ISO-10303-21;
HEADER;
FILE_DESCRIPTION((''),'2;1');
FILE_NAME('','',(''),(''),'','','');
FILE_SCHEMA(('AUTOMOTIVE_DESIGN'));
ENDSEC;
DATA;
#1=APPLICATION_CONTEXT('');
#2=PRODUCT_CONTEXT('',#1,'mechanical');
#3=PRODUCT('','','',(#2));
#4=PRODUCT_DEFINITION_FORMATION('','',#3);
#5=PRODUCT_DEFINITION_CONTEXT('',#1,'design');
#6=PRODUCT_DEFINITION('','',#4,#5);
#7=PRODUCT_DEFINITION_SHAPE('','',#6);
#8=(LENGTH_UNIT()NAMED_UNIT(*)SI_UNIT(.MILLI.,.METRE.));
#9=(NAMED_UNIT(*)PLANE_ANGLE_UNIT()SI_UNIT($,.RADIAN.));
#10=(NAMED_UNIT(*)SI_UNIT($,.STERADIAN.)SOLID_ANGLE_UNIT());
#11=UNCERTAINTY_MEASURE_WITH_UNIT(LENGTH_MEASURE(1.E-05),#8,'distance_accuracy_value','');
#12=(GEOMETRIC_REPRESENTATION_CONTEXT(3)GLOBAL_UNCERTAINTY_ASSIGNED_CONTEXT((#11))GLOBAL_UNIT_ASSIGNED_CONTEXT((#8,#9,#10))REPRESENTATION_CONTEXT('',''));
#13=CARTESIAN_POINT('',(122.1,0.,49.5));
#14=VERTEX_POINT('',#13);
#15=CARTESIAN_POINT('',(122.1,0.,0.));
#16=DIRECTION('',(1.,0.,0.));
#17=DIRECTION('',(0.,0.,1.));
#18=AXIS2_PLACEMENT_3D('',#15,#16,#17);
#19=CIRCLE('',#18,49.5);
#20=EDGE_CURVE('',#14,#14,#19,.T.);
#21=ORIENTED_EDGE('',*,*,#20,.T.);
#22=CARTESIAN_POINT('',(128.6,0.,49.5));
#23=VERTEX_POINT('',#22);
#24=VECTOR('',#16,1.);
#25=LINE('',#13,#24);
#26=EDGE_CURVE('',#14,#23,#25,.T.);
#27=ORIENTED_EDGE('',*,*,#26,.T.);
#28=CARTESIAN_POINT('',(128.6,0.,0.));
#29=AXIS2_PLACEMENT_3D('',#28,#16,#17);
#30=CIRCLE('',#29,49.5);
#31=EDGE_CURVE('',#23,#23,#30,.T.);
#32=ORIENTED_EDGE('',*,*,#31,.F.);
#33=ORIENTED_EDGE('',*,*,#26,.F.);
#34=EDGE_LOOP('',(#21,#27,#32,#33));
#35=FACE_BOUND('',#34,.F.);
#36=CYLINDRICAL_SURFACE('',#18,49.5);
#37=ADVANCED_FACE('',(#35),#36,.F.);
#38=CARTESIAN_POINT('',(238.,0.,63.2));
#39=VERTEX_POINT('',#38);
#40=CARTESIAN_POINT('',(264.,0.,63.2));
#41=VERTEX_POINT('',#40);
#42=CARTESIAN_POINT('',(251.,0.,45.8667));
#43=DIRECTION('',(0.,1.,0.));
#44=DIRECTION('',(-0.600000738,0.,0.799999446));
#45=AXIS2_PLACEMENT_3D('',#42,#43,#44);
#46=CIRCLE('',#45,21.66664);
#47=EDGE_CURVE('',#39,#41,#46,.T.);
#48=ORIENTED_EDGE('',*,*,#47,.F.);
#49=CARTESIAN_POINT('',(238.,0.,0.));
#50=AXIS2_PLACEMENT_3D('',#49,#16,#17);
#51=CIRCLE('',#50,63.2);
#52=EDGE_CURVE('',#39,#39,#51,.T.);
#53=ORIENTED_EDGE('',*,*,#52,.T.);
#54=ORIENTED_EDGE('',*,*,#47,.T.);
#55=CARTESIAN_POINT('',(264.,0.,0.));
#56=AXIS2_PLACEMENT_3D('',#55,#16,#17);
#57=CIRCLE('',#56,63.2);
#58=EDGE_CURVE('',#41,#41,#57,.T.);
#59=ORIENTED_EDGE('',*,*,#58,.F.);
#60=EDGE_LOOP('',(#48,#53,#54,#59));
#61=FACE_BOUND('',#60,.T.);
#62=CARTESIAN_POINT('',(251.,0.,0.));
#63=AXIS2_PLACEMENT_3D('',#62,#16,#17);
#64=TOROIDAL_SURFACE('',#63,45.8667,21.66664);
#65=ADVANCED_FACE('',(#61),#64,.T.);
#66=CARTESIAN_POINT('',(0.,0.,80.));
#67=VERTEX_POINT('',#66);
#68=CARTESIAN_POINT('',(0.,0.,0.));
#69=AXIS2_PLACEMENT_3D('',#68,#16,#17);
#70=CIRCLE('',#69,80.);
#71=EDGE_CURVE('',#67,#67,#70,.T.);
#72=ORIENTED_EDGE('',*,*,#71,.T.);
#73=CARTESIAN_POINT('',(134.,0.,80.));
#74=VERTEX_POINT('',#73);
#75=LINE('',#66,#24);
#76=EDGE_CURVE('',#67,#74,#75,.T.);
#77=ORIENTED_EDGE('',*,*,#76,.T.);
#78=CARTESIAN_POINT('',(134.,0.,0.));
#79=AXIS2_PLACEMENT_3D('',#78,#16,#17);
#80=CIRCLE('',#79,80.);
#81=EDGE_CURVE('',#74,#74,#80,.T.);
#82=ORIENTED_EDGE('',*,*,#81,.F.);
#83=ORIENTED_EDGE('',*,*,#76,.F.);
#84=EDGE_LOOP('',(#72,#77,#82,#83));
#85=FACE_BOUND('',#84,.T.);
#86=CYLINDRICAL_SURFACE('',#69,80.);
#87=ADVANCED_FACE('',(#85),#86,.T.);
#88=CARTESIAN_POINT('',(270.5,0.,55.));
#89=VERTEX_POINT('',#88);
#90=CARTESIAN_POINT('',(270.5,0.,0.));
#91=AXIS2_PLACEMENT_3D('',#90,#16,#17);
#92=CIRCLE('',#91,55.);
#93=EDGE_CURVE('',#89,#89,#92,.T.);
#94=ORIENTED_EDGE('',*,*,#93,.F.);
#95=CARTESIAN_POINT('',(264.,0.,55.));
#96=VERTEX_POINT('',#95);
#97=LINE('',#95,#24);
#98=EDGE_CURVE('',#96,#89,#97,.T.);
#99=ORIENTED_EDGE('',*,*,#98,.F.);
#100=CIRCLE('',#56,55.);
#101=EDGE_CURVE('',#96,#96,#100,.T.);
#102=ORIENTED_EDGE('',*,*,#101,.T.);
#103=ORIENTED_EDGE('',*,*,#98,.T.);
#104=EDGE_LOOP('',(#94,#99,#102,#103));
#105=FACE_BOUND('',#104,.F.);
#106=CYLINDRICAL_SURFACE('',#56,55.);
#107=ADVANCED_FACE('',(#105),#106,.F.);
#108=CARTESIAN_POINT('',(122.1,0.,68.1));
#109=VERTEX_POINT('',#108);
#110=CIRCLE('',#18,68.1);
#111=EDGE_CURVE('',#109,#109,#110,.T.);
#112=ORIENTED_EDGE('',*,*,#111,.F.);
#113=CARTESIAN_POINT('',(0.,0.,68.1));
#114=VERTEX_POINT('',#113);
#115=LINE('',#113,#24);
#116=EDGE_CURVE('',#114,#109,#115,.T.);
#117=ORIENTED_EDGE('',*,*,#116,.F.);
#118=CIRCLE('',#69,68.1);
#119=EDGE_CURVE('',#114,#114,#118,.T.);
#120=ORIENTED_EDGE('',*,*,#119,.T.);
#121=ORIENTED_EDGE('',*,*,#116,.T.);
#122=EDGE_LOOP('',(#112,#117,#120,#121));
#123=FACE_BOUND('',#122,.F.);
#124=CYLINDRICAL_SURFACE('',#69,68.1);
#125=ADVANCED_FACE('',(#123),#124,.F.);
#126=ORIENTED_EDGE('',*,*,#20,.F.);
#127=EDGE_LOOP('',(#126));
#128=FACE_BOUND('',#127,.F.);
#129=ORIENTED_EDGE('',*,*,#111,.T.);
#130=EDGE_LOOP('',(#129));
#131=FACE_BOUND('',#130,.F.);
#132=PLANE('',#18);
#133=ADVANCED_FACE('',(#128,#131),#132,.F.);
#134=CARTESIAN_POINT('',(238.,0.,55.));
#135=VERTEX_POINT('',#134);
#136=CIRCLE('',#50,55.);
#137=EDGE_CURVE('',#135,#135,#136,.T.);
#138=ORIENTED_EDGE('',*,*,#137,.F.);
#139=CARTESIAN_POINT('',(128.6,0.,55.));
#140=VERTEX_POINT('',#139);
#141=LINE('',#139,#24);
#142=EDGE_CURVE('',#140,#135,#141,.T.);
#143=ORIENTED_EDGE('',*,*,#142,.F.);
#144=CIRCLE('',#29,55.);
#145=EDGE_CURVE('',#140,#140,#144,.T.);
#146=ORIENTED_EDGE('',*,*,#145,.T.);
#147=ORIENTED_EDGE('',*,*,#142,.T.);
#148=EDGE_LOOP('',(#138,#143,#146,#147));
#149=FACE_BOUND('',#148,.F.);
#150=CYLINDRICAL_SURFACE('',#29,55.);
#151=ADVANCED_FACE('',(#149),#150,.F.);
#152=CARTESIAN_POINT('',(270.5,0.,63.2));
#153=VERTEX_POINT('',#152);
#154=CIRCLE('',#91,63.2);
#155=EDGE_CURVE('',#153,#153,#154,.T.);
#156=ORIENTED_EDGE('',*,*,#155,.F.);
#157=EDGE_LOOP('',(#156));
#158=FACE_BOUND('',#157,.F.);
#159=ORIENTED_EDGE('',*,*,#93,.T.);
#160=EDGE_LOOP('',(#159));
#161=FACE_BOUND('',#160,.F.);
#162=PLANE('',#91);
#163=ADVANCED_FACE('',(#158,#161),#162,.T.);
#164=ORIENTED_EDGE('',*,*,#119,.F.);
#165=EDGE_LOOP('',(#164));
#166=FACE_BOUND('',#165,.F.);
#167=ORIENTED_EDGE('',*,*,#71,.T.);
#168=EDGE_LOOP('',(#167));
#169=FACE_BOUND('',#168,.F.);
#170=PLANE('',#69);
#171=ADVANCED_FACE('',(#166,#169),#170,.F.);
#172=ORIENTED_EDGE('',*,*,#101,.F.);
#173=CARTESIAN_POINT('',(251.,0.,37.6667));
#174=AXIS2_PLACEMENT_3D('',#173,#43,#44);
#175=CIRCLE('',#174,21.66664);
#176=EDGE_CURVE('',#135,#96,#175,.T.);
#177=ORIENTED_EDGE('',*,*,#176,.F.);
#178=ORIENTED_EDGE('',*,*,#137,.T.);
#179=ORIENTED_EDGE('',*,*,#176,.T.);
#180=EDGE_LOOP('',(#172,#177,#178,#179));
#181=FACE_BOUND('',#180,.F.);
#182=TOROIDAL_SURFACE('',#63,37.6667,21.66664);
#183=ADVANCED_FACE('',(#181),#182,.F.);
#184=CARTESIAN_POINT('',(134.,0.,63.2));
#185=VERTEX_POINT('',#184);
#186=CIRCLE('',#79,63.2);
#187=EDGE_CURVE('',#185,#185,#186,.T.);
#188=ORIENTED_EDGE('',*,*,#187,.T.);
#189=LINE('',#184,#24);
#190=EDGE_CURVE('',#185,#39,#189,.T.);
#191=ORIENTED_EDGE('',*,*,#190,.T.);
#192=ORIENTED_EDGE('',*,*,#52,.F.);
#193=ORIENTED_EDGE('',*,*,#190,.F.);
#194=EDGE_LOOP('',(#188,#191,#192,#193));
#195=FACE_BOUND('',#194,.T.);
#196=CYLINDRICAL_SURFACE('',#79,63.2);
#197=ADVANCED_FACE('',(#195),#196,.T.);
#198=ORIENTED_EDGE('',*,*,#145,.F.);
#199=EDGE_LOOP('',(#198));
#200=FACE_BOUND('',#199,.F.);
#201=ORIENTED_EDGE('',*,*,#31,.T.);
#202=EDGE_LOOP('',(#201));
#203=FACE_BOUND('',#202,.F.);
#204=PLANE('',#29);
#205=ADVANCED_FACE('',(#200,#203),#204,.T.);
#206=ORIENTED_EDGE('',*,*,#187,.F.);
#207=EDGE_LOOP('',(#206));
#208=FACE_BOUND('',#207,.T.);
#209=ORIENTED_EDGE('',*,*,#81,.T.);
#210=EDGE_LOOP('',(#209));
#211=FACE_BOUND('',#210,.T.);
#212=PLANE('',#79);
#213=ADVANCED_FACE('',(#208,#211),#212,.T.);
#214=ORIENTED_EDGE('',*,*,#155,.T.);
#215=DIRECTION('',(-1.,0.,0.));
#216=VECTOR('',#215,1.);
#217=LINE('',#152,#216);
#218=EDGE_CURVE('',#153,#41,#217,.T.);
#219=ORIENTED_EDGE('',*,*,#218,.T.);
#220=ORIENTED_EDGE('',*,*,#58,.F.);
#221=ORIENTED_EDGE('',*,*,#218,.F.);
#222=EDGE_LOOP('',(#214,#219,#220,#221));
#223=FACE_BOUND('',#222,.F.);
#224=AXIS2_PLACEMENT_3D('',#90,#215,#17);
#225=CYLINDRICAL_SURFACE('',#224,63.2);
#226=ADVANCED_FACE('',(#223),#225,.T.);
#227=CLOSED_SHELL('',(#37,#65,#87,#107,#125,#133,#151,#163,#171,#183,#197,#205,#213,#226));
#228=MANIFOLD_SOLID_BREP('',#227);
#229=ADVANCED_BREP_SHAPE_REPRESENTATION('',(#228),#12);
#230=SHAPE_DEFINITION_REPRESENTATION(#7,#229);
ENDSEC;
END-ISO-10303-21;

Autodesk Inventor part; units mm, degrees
ref_plane "YZ Plane" through (0, 0, 0) normal (1, 0, 0) x (0, 1, 0)
ref_plane "XZ Plane" through (0, 0, 0) normal (0, 1, 0) x (-1, 0, 0)
ref_plane "XY Plane" through (0, 0, 0) normal (0, 0, 1) x (1, 0, 0)
sketch "Sketch1" plane through (0, 0, 0) normal (0, 1, 0) x (-1, 0, 0)
  line L0 (0, 0) -> (-270.5, 0)
  line L1 (-270.5, 0) -> (-270.5, 63.2)
  line L2 (-270.5, 63.2) -> (-264, 63.2)
  arc A0 (-238, 63.2) -> (-264, 63.2) centre (-251, 45.8667) ccw
  line L3 (0, 80) -> (0, 0)
  line L4 (0, 80) -> (-134, 80)
  line L5 (-134, 63.2) -> (-238, 63.2)
  line L6 (-134, 80) -> (-134, 63.2)
  line L7 (0, 68.1) -> (-122.1, 68.1)
  line L8 (-122.1, 68.1) -> (-122.1, 49.5)
  line L9 (-128.6, 55) -> (-238, 55)
  line L10 (-264, 55) -> (-270.5, 55)
  arc A1 (-238, 55) -> (-264, 55) centre (-251, 37.6667) ccw
  line L11 (-122.1, 49.5) -> (-128.6, 49.5)
  line L12 (-128.6, 49.5) -> (-128.6, 55)
  line L13 (-264, 55) -> (-264, 63.2) construction
  dimension "d0" = 270.5
  dimension "d3" = 160
  dimension "d4" = 126.4
  dimension "d5" = 238
  dimension "d6" = 21.6667
  dimension "d9" = 134
  dimension "d10" = 136.2
  dimension "d12" = 110
  dimension "d13" = 6.5
  dimension "d14" = 238
  dimension "d15" = 122.1
  dimension "d16" = 6.5
  dimension "d17" = 99
revolve "Revolve1" add sketch "Sketch1" angle 360 about axis through (0, 0, 0) along (1, 0, 0) contours L7 L8 L11 L12 L9 A1 L10 L1 L2 A0 L5 L6 L4 L3
equation "\"d0\" = l3 + 2.1 * u"
equation "\"d3\" = d1"
equation "\"d4\" = d2 + 2 * t2"
equation "\"d5\" = l3 + 1.6 * u"
equation "\"d6\" = 0.333333 * u"
equation "\"d9\" = l3"
equation "\"d10\" = d1 - 2 * t1"
equation "\"d12\" = d2"
equation "\"d13\" = 0.1 * u"
equation "\"d14\" = d5"
equation "\"d15\" = d9 - t1"
equation "\"d16\" = 0.1 * u"
equation "\"d17\" = 0.9 * d11"
equation "\"d1\" = 160"
equation "\"d2\" = 110"
equation "\"l3\" = 134"
equation "\"u\" = 65"
equation "\"t1\" = 11.9"
equation "\"t2\" = 8.2"
equation "\"Size_Designation\" = 1.2345"
equation "\"d11\" = 110"
properties part number "DIN 8063 Переходник, тип STR-KS 160 x 110" material "ПВХ, непластифицированный"
